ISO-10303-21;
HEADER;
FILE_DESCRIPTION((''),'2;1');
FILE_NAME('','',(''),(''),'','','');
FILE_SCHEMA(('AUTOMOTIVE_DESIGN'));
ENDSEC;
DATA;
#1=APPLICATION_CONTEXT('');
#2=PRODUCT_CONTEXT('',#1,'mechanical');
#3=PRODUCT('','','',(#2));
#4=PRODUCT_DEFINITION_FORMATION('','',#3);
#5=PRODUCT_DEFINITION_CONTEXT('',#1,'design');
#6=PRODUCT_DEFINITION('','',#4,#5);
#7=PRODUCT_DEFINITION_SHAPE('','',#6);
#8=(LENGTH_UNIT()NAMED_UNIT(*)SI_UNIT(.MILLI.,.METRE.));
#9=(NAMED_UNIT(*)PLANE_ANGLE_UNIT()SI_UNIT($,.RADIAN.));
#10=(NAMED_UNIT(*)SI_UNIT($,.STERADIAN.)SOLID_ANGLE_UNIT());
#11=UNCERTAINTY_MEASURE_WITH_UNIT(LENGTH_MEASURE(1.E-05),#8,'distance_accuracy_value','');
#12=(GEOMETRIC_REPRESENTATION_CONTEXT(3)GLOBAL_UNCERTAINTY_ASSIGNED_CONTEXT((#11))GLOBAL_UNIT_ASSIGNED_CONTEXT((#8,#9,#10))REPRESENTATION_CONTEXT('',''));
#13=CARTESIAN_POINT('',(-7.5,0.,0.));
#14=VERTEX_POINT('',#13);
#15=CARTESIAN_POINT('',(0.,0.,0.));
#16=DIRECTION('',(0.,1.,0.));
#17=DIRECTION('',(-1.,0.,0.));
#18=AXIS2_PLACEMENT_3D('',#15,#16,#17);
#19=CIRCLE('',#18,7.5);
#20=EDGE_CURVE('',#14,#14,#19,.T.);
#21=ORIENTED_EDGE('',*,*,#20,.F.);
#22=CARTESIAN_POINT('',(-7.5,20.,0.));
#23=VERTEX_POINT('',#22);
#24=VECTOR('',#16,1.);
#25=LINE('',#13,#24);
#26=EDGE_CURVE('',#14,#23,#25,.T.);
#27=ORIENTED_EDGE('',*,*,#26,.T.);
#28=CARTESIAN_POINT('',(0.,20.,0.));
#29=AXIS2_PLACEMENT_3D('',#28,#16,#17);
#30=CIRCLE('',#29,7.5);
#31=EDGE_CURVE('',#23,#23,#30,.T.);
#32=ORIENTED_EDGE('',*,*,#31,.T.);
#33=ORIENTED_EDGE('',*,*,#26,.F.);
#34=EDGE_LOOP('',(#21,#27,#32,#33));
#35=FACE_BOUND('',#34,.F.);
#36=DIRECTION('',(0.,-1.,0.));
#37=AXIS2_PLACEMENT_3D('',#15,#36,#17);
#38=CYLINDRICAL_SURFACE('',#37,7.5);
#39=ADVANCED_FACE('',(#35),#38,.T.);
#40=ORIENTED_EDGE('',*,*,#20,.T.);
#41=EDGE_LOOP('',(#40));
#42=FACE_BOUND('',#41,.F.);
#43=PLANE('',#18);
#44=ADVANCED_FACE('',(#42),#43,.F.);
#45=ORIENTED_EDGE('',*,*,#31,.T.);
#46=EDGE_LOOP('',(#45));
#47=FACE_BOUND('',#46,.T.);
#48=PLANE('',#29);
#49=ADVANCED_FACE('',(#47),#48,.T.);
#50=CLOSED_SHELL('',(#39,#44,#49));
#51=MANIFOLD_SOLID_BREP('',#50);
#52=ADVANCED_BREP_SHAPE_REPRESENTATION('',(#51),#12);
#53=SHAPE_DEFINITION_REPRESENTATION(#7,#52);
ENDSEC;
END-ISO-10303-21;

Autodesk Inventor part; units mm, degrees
ref_plane "YZ Plane" through (0, 0, 0) normal (1, 0, 0) x (0, 1, 0)
ref_plane "XZ Plane" through (0, 0, 0) normal (0, 1, 0) x (-1, 0, 0)
ref_plane "XY Plane" through (0, 0, 0) normal (0, 0, 1) x (1, 0, 0)
sketch "Sketch1" plane through (0, 0, 0) normal (0, 1, 0) x (-1, 0, 0)
  circle A0 centre (0, 0) radius 7.5
  dimension "d0" = 20
extrude "Extrusion1" add sketch "Sketch1" along normal blind 20
properties part number "gear_axle_hole_maker"
